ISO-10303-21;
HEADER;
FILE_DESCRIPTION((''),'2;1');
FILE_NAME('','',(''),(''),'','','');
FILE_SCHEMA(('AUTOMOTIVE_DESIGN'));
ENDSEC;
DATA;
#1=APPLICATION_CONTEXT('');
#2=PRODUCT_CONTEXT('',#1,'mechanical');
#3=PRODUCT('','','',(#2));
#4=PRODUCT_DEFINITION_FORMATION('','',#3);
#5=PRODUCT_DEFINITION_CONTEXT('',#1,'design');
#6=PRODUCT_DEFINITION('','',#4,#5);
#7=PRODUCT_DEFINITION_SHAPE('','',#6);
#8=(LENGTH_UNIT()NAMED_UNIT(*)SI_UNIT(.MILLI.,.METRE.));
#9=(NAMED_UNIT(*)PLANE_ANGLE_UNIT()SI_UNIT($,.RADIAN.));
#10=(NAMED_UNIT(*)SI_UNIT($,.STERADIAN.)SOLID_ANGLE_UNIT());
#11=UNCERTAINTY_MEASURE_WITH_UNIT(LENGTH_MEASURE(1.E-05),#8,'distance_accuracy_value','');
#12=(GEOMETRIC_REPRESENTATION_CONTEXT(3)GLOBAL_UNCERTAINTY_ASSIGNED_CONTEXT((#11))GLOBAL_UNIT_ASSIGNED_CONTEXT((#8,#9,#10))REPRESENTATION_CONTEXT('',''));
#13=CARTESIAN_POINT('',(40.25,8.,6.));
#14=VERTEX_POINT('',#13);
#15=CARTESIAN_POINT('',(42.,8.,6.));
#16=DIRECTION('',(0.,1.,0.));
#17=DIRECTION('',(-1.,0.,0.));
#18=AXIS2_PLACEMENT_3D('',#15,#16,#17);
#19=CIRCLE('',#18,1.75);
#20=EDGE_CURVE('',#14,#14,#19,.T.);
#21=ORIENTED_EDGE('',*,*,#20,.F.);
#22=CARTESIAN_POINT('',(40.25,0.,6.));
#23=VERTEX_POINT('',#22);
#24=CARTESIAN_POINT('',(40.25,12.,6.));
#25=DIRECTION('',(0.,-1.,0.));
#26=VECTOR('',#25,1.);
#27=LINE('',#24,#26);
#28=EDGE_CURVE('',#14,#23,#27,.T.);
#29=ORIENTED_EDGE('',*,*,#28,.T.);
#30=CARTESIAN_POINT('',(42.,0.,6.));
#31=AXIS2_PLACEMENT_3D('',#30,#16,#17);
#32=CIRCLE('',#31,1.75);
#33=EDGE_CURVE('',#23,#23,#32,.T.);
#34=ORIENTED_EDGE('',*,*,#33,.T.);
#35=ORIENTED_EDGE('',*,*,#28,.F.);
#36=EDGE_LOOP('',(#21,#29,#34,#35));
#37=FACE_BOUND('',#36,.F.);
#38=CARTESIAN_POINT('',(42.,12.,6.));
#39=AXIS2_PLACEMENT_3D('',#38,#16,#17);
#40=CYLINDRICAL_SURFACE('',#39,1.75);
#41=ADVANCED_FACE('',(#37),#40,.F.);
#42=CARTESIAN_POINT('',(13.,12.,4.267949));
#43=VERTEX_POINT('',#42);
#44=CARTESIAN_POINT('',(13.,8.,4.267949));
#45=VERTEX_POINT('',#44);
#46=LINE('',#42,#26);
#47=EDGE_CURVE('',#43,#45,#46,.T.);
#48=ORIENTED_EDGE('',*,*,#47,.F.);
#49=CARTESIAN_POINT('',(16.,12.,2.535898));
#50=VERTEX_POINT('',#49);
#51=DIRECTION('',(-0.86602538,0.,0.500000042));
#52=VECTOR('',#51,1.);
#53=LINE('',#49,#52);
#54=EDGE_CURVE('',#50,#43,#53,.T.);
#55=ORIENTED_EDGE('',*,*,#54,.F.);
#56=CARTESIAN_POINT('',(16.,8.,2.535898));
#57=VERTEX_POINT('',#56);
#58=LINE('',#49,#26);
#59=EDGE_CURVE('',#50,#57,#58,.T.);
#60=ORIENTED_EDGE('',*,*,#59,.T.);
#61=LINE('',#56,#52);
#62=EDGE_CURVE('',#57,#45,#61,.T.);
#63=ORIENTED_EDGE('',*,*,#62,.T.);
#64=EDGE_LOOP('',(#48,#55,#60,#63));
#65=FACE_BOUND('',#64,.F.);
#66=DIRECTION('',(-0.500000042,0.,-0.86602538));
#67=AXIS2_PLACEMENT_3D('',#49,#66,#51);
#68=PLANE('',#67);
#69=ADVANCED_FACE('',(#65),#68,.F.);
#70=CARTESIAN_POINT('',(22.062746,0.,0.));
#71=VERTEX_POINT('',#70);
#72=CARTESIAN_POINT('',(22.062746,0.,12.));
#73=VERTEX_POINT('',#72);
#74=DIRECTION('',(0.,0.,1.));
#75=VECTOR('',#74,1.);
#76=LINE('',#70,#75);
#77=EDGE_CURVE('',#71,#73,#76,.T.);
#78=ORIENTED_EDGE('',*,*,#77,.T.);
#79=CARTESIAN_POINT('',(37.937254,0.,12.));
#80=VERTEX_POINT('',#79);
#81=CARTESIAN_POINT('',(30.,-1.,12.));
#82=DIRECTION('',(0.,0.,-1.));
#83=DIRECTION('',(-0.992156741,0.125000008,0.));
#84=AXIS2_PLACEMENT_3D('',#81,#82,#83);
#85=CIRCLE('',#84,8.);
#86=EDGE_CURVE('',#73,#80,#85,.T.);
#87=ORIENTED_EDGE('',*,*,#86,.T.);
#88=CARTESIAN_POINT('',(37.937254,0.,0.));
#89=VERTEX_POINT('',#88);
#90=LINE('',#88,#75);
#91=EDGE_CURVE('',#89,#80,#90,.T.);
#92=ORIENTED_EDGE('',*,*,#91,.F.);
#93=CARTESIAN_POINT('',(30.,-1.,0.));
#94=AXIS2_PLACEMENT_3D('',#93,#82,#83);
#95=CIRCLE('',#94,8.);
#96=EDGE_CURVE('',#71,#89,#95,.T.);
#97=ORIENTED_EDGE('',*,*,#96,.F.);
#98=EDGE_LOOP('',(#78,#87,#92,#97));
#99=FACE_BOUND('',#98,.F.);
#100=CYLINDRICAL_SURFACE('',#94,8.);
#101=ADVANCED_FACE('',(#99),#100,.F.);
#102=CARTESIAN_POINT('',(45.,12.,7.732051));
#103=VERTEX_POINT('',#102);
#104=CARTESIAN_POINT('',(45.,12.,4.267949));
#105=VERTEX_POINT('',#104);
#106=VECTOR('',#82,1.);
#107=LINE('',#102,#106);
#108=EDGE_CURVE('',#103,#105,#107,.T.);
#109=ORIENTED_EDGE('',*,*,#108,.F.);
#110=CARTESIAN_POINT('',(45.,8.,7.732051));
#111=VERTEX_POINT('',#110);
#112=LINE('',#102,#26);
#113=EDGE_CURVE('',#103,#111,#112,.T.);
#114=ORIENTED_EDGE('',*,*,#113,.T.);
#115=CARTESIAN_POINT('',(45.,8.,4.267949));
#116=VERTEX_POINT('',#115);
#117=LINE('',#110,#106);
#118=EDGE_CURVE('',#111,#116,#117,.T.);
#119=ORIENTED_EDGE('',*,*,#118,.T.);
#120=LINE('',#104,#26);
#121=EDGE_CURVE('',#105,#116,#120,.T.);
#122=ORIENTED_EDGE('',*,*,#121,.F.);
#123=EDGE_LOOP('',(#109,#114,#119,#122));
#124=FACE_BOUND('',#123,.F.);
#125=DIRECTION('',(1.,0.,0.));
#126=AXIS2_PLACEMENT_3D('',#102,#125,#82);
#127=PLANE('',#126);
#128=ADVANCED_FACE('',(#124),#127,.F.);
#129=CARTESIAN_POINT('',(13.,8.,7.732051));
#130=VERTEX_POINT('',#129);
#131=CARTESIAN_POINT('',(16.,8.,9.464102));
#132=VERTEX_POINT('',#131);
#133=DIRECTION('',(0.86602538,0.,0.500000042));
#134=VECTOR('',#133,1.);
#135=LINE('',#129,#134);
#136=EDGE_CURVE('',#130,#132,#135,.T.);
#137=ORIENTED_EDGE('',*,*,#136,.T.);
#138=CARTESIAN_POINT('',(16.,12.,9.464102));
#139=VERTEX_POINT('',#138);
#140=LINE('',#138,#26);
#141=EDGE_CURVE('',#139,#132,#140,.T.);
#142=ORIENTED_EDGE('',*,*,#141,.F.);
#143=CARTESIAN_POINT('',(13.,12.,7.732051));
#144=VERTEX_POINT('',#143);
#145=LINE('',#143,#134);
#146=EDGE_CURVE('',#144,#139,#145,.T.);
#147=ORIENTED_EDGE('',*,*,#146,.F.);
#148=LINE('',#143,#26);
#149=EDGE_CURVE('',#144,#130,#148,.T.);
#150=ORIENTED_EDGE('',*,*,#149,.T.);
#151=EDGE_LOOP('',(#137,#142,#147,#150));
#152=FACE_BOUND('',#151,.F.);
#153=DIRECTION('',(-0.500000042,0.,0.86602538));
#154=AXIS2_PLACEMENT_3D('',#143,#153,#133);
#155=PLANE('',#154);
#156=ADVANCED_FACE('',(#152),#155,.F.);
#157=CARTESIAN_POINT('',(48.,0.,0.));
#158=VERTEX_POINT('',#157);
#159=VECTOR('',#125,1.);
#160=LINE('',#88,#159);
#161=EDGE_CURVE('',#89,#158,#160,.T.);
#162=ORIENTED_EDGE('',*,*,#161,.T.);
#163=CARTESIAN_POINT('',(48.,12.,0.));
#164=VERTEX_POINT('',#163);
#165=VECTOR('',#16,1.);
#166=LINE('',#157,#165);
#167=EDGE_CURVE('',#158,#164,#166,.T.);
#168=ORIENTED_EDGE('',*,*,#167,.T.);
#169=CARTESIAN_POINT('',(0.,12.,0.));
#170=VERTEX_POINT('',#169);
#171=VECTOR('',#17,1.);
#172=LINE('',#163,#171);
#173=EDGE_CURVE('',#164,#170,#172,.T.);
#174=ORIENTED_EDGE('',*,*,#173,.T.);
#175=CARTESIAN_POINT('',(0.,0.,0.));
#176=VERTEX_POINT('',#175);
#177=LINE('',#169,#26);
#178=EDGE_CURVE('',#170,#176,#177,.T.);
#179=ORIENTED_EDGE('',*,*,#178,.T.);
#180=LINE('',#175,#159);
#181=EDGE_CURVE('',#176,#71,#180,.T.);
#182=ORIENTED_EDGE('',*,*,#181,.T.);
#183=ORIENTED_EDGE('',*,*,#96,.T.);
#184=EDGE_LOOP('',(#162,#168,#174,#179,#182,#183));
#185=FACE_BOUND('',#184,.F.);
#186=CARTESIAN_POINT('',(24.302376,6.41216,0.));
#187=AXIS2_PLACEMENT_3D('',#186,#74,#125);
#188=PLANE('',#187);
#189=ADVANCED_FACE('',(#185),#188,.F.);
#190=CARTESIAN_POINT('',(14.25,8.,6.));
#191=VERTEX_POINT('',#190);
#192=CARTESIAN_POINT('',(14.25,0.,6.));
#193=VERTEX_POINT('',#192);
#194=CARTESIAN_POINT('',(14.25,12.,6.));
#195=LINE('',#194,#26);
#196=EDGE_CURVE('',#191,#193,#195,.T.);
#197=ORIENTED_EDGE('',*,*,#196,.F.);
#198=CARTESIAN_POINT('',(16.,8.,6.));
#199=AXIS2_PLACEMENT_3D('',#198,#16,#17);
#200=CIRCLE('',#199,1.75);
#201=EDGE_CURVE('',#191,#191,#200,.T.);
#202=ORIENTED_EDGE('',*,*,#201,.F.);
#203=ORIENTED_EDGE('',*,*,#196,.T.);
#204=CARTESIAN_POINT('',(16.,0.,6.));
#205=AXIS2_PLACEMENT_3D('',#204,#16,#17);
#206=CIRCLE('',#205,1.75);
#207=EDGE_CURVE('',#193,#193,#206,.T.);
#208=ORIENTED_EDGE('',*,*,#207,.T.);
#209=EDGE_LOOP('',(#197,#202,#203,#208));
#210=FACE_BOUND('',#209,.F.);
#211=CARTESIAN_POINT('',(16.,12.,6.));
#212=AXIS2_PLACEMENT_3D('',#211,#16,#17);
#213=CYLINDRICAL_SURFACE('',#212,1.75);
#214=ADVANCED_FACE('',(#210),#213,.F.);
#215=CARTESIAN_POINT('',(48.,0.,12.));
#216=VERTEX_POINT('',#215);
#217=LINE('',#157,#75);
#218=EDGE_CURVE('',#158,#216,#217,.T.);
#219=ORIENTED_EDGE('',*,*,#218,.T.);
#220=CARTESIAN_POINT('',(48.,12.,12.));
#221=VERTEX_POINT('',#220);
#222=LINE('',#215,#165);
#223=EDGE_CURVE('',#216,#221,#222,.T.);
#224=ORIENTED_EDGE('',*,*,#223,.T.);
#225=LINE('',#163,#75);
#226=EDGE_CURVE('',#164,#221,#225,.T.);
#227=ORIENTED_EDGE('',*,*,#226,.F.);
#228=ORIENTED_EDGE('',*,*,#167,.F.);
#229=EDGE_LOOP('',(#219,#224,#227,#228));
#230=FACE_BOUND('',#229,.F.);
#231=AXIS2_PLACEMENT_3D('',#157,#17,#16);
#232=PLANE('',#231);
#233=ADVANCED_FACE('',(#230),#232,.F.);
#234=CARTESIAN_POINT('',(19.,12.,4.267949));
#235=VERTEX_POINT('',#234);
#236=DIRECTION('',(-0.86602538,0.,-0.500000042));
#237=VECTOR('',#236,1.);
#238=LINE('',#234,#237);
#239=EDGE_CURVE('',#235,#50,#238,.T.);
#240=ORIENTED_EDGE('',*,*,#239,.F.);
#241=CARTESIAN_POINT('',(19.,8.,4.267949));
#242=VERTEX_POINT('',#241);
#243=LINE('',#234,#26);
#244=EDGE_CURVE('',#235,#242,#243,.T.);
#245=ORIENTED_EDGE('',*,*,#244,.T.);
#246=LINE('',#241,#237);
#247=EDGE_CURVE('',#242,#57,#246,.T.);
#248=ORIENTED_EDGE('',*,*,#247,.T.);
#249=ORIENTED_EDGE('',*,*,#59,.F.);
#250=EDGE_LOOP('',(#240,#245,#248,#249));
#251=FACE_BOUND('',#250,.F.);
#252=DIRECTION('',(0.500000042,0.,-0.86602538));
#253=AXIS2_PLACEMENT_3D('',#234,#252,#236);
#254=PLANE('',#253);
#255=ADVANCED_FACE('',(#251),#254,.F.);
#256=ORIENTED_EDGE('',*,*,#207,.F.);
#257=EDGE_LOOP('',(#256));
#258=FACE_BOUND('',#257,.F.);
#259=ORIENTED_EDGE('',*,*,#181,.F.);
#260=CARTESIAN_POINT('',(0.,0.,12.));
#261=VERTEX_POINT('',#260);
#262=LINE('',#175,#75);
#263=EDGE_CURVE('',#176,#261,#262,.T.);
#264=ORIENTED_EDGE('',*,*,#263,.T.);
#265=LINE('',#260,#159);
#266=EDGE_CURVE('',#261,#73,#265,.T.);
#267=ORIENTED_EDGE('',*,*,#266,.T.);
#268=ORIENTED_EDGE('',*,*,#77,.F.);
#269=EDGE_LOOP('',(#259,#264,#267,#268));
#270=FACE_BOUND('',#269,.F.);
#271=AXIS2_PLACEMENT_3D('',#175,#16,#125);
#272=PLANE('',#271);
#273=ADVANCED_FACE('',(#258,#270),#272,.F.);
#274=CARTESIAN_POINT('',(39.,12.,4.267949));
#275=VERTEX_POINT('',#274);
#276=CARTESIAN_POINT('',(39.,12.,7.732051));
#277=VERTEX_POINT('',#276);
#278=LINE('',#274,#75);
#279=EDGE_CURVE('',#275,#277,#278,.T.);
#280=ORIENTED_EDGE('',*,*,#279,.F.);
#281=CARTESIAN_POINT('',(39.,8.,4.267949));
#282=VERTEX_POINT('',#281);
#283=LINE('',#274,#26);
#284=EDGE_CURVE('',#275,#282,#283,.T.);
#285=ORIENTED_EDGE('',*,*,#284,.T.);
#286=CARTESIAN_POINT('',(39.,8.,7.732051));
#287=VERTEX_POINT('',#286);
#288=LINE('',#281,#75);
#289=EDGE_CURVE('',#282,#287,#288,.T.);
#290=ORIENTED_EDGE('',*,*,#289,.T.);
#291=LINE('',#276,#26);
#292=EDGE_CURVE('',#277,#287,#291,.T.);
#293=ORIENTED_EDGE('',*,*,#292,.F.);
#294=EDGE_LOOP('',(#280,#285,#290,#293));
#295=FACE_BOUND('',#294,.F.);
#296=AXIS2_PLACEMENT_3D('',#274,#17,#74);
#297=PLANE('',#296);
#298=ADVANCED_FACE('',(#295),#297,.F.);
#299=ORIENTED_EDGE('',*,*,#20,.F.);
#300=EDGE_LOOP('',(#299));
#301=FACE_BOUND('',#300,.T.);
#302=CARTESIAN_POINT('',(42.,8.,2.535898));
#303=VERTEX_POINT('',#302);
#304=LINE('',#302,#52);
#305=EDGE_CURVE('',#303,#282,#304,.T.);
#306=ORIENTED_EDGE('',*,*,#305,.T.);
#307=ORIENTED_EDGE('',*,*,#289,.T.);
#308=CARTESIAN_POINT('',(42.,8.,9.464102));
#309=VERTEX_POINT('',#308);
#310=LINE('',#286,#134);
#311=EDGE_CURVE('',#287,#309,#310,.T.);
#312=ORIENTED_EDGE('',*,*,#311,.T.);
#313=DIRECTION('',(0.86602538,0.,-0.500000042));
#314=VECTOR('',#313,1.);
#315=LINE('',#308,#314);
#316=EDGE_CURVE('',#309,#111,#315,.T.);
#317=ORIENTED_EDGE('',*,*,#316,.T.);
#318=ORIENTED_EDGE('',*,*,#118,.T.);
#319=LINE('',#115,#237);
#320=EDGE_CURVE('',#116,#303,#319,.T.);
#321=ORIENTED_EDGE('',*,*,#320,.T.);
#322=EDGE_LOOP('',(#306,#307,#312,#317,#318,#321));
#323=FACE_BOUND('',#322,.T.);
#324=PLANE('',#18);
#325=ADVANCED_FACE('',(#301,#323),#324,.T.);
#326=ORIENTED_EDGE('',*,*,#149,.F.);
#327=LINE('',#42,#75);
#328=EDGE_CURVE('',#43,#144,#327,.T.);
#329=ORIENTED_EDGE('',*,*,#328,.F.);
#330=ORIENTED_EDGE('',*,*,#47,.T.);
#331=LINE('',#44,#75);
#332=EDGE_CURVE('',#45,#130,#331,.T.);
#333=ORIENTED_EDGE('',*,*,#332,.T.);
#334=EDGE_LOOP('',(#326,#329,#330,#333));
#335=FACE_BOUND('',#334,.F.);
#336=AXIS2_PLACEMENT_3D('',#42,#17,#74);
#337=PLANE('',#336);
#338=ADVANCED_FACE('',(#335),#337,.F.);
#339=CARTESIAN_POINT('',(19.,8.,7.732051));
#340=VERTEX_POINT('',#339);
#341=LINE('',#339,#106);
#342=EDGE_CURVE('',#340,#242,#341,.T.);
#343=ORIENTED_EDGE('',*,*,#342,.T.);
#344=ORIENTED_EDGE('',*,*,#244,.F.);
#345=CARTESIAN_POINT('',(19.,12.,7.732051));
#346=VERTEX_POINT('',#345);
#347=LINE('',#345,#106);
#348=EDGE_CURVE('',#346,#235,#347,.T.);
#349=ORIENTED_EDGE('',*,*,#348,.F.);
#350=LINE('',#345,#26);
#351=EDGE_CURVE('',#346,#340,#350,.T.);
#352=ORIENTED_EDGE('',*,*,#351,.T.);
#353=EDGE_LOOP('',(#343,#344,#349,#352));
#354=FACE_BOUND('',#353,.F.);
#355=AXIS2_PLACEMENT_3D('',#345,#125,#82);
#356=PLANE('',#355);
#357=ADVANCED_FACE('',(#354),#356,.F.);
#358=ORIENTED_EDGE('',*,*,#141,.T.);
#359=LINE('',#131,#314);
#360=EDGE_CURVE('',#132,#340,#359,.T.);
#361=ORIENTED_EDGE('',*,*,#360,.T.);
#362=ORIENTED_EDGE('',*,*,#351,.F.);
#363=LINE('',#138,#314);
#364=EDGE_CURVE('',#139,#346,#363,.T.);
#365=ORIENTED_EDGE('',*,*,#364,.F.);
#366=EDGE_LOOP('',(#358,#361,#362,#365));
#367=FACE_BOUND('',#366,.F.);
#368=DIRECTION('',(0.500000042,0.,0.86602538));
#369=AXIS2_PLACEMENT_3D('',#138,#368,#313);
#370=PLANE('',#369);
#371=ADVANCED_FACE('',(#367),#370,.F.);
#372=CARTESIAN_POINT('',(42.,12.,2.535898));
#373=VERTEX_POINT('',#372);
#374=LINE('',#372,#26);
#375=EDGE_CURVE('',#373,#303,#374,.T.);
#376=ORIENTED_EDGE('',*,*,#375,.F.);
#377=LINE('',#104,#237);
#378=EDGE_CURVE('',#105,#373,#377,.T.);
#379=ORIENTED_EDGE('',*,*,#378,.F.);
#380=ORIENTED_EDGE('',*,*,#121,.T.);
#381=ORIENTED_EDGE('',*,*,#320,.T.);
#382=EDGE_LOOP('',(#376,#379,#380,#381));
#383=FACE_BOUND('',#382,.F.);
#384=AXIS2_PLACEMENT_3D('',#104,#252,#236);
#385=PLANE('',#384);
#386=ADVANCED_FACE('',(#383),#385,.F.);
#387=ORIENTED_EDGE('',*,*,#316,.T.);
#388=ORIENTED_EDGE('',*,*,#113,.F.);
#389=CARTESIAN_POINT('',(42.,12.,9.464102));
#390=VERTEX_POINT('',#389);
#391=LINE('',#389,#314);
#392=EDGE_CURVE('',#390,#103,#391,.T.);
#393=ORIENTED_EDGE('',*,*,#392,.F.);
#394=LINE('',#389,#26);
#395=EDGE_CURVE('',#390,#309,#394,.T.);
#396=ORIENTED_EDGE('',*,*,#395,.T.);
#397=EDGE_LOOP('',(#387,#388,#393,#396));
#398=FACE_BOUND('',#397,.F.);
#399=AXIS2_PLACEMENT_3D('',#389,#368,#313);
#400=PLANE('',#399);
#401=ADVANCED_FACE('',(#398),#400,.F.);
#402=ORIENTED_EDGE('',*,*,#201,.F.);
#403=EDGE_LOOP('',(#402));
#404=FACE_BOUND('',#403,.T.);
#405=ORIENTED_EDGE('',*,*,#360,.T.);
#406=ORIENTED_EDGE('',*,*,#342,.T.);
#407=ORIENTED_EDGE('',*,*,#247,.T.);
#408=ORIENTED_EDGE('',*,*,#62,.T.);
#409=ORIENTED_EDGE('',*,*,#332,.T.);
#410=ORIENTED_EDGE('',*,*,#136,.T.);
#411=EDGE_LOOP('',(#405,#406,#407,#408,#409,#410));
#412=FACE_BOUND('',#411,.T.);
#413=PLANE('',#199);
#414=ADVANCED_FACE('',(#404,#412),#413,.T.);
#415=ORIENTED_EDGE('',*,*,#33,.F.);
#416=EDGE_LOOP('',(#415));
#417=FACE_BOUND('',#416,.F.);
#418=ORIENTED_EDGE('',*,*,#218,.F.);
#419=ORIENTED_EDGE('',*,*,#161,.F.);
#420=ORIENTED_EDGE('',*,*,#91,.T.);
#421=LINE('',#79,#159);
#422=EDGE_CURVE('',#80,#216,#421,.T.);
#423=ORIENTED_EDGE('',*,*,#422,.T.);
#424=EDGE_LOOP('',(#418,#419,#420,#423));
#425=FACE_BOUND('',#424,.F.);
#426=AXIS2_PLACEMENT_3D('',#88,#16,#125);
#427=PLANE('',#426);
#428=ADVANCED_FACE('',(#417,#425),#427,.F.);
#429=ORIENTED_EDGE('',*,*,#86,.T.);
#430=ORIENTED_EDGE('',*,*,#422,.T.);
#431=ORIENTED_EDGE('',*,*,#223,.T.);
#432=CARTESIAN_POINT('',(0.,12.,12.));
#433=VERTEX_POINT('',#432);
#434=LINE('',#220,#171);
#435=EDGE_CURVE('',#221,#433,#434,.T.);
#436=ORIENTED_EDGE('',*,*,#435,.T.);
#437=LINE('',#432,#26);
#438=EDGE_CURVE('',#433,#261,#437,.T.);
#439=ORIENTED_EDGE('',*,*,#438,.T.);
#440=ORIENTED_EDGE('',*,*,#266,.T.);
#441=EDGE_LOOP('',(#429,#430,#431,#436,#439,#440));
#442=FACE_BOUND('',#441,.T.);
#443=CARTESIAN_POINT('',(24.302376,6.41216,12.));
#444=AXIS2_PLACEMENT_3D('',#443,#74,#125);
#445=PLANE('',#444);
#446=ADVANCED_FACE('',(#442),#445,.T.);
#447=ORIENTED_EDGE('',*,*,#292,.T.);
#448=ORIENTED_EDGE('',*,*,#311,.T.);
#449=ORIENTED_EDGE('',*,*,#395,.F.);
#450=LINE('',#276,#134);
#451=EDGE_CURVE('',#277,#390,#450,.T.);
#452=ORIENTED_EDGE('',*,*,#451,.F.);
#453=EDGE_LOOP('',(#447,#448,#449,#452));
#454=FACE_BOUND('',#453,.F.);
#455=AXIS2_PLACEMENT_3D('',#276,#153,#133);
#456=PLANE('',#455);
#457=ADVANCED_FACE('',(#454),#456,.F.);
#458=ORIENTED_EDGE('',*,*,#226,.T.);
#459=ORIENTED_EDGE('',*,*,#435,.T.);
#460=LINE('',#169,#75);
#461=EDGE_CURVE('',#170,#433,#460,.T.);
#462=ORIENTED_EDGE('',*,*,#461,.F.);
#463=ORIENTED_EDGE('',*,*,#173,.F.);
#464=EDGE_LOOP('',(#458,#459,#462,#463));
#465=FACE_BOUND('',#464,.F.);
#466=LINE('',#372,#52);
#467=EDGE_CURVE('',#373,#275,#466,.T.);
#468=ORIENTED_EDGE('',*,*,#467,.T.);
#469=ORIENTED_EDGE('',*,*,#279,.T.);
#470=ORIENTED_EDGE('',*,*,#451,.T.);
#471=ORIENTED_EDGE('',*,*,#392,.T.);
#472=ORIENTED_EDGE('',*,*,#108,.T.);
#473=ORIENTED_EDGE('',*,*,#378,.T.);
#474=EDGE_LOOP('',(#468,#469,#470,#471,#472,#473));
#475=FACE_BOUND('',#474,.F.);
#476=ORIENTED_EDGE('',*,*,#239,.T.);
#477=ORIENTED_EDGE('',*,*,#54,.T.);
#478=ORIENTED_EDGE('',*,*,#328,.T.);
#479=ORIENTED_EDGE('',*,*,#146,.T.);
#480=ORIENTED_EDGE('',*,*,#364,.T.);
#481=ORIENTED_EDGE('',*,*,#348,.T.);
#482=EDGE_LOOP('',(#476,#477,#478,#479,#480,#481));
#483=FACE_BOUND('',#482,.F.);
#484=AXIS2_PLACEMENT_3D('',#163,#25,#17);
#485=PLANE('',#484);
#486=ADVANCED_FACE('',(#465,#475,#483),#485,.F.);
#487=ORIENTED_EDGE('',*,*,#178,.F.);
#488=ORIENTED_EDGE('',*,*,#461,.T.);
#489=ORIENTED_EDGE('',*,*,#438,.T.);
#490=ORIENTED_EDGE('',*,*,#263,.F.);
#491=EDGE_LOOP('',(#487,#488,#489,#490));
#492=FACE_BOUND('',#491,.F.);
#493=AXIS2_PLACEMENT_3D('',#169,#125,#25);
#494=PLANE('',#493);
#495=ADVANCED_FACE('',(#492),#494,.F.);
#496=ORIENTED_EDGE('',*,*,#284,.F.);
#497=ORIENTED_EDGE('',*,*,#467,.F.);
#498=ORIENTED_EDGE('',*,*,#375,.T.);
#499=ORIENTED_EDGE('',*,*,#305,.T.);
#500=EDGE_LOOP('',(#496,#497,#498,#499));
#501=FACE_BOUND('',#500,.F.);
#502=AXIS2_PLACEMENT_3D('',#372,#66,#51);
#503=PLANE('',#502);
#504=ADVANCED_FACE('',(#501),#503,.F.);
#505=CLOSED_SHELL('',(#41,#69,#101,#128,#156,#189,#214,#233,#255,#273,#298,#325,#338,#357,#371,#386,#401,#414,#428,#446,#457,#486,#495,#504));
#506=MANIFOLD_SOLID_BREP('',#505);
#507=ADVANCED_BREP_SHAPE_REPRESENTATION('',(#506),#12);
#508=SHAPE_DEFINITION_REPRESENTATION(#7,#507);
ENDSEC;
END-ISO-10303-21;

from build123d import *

# Parameters (mm, degrees)
F1_DEPTH = 12
F2_R     = 1.75
F3_DEPTH = 12
F4_DEPTH = 4


with BuildPart() as f1:
    # F0 (on Top) → F1 (new body)
    with BuildSketch(Plane.XY):
        with BuildLine():
            Line((0, 12), (0, 0))
            Line((0, 0), (22.062746, 0))
            ThreePointArc((22.062746, 0), (30, 7), (37.937254, 0))
            Line((37.937254, 0), (48, 0))
            Line((48, 0), (48, 12))
            Line((48, 12), (0, 12))
        make_face()
    extrude(amount=F1_DEPTH)

    # F2 (on face) → F3 (cut, through all)
    with BuildSketch(Plane(origin=(0, 12, 0), x_dir=(-1, 0, 0), z_dir=(0, 1, 0))):
        with Locations((-42, 6)):
            Circle(F2_R)
        with Locations((-16, 6)):
            Circle(F2_R)
    extrude(amount=-F3_DEPTH, mode=Mode.SUBTRACT)

    # F2 (on face) → F4 (cut)
    with BuildSketch(Plane(origin=(0, 12, 0), x_dir=(-1, 0, 0), z_dir=(0, 1, 0))):
        Polygon((-39, 4.267949), (-39, 7.732051), (-42, 9.464102), (-45, 7.732051), (-45, 4.267949), (-42, 2.535898), align=None)
        with Locations((-42, 6)):
            Circle(F2_R, mode=Mode.SUBTRACT)
        Polygon((-13, 7.732051), (-16, 9.464102), (-19, 7.732051), (-19, 4.267949), (-16, 2.535898), (-13, 4.267949), align=None)
        with Locations((-16, 6)):
            Circle(F2_R, mode=Mode.SUBTRACT)
    extrude(amount=-F4_DEPTH, mode=Mode.SUBTRACT)


solid = f1.part
